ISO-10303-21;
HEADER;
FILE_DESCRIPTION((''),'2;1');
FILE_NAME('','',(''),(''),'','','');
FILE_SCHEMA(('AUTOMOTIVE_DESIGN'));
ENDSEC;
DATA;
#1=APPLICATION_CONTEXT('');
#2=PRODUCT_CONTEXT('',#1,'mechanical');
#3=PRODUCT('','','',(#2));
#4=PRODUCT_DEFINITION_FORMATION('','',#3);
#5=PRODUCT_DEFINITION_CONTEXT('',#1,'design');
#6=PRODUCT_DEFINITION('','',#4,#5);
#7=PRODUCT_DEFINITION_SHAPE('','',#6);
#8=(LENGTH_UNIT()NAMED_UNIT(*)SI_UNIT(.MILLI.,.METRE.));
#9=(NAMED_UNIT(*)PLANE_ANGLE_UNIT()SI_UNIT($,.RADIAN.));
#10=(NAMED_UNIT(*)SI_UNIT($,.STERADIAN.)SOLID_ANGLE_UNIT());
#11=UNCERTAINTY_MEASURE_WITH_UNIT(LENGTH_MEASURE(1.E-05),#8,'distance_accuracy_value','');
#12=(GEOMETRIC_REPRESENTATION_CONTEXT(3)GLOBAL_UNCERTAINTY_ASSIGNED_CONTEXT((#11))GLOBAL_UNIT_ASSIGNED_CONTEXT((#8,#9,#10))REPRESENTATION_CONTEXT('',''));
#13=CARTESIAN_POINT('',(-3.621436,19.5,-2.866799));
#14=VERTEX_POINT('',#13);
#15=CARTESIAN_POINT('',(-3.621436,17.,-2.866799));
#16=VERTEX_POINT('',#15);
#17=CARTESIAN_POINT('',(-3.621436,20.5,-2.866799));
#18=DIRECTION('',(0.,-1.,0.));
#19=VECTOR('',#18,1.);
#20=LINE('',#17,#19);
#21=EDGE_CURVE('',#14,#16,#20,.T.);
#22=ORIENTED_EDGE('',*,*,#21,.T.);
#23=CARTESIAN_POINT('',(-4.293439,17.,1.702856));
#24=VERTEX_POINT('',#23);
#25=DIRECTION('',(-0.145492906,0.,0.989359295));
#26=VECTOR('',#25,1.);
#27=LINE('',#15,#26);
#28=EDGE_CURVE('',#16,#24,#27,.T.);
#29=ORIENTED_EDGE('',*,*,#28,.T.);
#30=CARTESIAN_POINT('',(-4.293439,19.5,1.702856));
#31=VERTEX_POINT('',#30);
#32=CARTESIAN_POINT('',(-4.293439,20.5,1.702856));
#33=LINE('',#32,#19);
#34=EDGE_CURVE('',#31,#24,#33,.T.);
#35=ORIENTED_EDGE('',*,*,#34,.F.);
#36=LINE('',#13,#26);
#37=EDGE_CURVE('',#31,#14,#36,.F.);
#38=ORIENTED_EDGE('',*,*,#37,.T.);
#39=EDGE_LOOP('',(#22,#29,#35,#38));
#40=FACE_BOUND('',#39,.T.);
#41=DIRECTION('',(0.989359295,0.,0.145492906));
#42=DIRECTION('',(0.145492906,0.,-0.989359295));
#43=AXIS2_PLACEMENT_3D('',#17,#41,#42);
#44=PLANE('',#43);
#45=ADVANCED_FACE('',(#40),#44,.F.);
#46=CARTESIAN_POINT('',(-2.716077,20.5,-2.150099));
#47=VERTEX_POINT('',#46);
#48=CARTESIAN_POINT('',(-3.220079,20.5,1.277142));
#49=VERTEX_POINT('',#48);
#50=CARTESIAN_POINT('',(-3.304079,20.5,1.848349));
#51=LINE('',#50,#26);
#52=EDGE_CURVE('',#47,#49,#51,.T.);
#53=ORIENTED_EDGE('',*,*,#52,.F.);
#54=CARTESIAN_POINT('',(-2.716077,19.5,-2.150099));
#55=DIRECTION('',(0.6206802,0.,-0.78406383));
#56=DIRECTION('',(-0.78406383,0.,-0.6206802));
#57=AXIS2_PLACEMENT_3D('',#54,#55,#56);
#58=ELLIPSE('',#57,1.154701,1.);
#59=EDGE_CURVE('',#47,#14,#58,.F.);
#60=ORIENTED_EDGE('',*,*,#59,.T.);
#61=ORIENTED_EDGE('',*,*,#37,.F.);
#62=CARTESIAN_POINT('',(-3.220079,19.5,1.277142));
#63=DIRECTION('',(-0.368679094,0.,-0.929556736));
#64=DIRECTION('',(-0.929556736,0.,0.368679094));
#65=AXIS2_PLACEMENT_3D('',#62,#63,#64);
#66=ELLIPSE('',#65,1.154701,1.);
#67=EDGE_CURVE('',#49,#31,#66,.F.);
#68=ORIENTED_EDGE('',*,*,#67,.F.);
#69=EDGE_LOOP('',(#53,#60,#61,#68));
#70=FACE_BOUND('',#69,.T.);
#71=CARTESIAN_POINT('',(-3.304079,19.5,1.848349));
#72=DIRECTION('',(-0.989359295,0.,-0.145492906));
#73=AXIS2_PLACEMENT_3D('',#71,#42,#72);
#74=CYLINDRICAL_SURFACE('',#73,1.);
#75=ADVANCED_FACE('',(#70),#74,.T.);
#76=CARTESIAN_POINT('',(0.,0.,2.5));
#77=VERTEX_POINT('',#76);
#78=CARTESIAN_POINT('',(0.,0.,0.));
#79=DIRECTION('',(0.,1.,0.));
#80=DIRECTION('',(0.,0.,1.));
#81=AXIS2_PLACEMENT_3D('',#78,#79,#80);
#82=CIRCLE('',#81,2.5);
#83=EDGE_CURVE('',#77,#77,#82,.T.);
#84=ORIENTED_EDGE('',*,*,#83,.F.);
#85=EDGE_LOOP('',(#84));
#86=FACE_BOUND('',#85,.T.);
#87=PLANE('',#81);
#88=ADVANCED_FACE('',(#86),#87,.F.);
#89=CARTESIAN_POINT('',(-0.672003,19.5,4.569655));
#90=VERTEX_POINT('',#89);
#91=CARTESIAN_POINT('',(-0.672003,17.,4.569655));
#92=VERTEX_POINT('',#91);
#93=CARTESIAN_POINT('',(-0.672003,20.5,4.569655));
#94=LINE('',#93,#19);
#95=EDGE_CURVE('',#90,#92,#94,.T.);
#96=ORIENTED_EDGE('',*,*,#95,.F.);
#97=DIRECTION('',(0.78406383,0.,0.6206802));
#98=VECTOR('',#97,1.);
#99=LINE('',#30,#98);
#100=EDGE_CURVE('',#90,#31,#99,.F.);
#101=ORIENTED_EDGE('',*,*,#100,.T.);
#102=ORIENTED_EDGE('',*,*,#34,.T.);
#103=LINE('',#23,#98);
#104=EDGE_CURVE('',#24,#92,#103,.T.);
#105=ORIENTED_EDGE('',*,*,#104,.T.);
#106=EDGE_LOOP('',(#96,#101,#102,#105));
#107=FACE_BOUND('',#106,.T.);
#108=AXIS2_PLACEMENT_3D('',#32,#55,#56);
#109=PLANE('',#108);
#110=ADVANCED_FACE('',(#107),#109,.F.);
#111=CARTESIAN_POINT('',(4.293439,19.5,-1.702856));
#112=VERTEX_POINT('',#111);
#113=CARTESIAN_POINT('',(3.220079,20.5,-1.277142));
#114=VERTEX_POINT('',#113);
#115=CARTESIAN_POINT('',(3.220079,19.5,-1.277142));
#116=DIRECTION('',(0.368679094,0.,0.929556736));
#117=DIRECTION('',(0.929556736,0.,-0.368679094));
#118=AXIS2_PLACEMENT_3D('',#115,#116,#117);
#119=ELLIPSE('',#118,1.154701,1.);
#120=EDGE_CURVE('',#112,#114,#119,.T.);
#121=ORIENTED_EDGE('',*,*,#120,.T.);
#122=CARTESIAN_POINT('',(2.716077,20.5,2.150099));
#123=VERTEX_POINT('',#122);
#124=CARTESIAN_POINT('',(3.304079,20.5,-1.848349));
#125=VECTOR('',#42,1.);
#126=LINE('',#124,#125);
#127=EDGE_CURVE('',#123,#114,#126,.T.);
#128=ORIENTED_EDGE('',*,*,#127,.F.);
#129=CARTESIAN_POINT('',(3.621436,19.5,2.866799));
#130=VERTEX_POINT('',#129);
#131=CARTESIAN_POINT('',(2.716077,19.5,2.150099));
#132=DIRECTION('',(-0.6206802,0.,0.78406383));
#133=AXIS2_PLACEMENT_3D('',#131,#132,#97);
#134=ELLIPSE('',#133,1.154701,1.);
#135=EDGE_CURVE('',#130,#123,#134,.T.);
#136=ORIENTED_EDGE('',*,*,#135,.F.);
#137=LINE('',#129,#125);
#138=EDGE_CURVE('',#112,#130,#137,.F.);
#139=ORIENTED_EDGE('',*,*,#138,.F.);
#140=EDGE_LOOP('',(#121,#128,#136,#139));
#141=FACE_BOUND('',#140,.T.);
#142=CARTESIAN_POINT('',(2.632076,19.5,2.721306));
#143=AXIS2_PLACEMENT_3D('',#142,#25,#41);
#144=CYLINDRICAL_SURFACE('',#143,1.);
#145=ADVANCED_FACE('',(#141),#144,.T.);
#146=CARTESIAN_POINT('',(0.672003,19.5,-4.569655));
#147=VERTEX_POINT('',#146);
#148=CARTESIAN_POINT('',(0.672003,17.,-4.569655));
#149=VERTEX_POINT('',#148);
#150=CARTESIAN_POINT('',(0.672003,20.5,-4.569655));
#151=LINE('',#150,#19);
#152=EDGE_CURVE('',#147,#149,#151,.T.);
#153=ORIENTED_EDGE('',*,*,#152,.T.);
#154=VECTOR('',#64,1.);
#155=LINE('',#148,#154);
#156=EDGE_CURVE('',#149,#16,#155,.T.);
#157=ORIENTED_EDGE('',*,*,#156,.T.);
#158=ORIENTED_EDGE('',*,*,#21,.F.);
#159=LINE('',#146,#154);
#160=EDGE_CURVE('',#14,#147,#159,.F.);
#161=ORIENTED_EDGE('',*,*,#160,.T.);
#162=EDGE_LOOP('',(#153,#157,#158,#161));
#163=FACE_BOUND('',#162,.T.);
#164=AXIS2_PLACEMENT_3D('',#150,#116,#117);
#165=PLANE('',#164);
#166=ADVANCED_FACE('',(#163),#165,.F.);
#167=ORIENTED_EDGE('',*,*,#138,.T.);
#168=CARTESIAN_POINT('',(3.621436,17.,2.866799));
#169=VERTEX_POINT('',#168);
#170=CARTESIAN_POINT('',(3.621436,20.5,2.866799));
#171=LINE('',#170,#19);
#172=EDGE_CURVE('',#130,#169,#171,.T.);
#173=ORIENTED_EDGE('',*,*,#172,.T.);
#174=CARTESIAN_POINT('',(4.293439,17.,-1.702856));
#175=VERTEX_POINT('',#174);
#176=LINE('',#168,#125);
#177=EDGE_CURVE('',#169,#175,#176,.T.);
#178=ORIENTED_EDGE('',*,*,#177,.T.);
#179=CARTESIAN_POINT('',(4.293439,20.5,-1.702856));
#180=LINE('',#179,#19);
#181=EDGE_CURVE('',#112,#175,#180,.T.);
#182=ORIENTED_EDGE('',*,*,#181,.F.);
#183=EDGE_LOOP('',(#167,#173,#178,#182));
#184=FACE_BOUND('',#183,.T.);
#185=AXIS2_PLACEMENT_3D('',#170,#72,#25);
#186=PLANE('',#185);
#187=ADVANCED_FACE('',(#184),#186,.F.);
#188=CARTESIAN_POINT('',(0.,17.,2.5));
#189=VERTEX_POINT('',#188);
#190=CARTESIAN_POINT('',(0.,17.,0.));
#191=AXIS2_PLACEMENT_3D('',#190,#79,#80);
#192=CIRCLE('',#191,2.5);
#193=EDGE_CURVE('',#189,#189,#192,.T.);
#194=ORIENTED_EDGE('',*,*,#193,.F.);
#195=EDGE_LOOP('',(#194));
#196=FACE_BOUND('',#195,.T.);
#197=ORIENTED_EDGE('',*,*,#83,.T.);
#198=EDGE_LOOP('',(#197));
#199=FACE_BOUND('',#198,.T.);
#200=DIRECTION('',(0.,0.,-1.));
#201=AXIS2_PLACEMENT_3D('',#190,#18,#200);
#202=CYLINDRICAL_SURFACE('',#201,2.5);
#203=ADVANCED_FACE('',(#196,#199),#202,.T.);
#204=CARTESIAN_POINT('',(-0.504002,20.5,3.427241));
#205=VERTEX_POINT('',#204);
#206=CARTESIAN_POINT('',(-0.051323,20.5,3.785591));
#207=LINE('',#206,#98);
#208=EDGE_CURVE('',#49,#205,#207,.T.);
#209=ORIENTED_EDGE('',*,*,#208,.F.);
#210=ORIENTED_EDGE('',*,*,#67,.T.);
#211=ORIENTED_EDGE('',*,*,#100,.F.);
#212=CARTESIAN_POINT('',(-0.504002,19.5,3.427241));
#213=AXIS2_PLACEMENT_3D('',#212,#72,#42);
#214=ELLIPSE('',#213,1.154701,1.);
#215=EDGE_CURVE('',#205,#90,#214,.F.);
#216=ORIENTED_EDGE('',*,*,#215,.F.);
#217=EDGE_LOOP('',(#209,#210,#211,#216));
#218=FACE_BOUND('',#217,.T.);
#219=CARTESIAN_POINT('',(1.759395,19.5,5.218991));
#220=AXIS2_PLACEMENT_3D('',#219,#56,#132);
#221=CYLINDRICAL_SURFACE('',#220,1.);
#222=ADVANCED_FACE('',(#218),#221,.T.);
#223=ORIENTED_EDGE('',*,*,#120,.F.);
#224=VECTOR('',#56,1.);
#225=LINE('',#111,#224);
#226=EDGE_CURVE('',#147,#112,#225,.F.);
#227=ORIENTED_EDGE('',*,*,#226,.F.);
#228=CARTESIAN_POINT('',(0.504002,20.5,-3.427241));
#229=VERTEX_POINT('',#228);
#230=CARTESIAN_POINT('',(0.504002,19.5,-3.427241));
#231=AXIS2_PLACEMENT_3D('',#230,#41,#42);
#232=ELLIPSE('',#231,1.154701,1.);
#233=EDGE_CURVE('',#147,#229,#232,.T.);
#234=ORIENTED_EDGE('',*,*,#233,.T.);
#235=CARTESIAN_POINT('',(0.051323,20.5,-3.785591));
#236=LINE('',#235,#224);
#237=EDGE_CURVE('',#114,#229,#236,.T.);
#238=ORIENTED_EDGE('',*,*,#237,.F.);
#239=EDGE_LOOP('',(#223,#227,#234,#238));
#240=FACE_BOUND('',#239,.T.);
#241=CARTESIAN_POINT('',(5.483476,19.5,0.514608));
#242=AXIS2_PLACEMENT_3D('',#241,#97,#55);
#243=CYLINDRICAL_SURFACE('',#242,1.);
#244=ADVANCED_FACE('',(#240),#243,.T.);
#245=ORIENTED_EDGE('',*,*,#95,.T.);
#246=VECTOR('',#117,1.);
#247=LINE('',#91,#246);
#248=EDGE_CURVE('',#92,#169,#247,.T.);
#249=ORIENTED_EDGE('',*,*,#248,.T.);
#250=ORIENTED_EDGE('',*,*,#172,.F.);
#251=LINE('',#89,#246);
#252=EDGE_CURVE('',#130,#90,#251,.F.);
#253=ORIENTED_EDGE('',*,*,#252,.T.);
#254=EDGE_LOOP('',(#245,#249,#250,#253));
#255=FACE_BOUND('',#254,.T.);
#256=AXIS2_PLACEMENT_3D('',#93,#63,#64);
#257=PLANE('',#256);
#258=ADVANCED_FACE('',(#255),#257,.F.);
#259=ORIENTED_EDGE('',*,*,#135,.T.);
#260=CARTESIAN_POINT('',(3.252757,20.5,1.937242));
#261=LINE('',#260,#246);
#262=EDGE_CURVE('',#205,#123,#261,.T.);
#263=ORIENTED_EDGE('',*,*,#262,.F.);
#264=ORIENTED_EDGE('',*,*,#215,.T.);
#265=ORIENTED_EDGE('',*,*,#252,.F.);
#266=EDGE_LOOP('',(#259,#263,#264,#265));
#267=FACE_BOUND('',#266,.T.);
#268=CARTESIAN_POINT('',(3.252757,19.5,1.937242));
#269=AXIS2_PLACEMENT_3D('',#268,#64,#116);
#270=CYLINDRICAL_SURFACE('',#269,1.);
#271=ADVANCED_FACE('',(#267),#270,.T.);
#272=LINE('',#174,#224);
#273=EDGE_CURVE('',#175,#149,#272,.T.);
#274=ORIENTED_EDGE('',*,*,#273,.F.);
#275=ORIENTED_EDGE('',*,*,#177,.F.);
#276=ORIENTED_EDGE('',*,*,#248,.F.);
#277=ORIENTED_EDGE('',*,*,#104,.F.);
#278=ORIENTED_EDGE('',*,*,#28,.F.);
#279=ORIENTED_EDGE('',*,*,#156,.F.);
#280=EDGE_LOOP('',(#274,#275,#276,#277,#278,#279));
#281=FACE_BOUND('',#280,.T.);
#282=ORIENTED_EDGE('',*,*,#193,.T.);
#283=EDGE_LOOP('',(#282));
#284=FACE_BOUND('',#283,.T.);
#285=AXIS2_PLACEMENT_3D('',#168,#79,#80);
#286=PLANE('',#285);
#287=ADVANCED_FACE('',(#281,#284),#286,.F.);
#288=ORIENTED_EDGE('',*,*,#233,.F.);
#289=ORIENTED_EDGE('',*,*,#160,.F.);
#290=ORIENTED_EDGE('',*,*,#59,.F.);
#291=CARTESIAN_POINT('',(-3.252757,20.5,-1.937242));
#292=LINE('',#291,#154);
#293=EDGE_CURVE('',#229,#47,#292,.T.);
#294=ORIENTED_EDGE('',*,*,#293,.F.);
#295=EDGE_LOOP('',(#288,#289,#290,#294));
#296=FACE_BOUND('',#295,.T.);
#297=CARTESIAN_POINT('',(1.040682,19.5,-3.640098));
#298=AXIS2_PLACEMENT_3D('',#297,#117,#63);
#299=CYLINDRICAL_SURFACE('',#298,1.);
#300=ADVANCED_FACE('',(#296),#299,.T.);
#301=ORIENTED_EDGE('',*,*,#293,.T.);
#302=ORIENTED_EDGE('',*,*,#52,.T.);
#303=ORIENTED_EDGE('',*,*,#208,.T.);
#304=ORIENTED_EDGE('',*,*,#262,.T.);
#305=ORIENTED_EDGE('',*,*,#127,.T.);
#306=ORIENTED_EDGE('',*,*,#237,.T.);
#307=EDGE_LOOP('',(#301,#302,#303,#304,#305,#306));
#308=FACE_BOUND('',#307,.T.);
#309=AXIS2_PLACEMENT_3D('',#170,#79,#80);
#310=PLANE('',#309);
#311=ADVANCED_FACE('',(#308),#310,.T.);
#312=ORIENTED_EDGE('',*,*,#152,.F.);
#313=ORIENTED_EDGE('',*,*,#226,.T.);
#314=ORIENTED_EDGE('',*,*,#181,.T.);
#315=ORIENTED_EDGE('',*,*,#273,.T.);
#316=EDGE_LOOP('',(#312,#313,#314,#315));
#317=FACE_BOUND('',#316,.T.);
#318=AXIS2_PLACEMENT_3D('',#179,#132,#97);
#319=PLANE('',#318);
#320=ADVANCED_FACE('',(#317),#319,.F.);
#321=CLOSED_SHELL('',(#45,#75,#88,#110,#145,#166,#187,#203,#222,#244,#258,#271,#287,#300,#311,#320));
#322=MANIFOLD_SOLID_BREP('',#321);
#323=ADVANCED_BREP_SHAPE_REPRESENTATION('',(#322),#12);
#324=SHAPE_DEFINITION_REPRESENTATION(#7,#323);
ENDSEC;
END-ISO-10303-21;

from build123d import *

# Parameters (mm, degrees)
SKETCH_1_R      = 2.5
EXTRUDE_1_DEPTH = 17
EXTRUDE_2_DEPTH = 3.5
FILLET_1_R      = 1


with BuildPart() as part:
    # Эскиз1 → Вытянуть1 (new body)
    with BuildSketch(Plane(origin=(0, 0, 0), x_dir=(1, 0, 0), z_dir=(0, 1, 0))):
        with Locations(Location((0, 0, 0), (0, 0, 270))):
            Circle(SKETCH_1_R)
    extrude(amount=EXTRUDE_1_DEPTH)

    # Эскиз2 → Вытянуть2 (add)
    with BuildSketch(Plane(origin=(0, 17, 0), x_dir=(1, 0, 0), z_dir=(0, 1, 0))):
        Polygon((3.621435705, -2.866799046), (4.293438654, 1.702855795), (0.672002949, 4.569654841), (-3.621435705, 2.866799046), (-4.293438654, -1.702855795), (-0.672002949, -4.569654841), align=None)
    extrude(amount=EXTRUDE_2_DEPTH)

    # Скругление1
    fillet_1_edges = [part.edges().sort_by_distance(p)[0] for p in [
        (1.474716378, 20.5, 3.718226944),
        (3.957437179, 20.5, 0.581971625),
        (2.482720801, 20.5, -3.136255318),
        (-1.474716378, 20.5, -3.718226944),
        (-3.957437179, 20.5, -0.581971625),
        (-2.482720801, 20.5, 3.136255318),
    ]]
    fillet(fillet_1_edges, radius=FILLET_1_R)


solid = part.part
